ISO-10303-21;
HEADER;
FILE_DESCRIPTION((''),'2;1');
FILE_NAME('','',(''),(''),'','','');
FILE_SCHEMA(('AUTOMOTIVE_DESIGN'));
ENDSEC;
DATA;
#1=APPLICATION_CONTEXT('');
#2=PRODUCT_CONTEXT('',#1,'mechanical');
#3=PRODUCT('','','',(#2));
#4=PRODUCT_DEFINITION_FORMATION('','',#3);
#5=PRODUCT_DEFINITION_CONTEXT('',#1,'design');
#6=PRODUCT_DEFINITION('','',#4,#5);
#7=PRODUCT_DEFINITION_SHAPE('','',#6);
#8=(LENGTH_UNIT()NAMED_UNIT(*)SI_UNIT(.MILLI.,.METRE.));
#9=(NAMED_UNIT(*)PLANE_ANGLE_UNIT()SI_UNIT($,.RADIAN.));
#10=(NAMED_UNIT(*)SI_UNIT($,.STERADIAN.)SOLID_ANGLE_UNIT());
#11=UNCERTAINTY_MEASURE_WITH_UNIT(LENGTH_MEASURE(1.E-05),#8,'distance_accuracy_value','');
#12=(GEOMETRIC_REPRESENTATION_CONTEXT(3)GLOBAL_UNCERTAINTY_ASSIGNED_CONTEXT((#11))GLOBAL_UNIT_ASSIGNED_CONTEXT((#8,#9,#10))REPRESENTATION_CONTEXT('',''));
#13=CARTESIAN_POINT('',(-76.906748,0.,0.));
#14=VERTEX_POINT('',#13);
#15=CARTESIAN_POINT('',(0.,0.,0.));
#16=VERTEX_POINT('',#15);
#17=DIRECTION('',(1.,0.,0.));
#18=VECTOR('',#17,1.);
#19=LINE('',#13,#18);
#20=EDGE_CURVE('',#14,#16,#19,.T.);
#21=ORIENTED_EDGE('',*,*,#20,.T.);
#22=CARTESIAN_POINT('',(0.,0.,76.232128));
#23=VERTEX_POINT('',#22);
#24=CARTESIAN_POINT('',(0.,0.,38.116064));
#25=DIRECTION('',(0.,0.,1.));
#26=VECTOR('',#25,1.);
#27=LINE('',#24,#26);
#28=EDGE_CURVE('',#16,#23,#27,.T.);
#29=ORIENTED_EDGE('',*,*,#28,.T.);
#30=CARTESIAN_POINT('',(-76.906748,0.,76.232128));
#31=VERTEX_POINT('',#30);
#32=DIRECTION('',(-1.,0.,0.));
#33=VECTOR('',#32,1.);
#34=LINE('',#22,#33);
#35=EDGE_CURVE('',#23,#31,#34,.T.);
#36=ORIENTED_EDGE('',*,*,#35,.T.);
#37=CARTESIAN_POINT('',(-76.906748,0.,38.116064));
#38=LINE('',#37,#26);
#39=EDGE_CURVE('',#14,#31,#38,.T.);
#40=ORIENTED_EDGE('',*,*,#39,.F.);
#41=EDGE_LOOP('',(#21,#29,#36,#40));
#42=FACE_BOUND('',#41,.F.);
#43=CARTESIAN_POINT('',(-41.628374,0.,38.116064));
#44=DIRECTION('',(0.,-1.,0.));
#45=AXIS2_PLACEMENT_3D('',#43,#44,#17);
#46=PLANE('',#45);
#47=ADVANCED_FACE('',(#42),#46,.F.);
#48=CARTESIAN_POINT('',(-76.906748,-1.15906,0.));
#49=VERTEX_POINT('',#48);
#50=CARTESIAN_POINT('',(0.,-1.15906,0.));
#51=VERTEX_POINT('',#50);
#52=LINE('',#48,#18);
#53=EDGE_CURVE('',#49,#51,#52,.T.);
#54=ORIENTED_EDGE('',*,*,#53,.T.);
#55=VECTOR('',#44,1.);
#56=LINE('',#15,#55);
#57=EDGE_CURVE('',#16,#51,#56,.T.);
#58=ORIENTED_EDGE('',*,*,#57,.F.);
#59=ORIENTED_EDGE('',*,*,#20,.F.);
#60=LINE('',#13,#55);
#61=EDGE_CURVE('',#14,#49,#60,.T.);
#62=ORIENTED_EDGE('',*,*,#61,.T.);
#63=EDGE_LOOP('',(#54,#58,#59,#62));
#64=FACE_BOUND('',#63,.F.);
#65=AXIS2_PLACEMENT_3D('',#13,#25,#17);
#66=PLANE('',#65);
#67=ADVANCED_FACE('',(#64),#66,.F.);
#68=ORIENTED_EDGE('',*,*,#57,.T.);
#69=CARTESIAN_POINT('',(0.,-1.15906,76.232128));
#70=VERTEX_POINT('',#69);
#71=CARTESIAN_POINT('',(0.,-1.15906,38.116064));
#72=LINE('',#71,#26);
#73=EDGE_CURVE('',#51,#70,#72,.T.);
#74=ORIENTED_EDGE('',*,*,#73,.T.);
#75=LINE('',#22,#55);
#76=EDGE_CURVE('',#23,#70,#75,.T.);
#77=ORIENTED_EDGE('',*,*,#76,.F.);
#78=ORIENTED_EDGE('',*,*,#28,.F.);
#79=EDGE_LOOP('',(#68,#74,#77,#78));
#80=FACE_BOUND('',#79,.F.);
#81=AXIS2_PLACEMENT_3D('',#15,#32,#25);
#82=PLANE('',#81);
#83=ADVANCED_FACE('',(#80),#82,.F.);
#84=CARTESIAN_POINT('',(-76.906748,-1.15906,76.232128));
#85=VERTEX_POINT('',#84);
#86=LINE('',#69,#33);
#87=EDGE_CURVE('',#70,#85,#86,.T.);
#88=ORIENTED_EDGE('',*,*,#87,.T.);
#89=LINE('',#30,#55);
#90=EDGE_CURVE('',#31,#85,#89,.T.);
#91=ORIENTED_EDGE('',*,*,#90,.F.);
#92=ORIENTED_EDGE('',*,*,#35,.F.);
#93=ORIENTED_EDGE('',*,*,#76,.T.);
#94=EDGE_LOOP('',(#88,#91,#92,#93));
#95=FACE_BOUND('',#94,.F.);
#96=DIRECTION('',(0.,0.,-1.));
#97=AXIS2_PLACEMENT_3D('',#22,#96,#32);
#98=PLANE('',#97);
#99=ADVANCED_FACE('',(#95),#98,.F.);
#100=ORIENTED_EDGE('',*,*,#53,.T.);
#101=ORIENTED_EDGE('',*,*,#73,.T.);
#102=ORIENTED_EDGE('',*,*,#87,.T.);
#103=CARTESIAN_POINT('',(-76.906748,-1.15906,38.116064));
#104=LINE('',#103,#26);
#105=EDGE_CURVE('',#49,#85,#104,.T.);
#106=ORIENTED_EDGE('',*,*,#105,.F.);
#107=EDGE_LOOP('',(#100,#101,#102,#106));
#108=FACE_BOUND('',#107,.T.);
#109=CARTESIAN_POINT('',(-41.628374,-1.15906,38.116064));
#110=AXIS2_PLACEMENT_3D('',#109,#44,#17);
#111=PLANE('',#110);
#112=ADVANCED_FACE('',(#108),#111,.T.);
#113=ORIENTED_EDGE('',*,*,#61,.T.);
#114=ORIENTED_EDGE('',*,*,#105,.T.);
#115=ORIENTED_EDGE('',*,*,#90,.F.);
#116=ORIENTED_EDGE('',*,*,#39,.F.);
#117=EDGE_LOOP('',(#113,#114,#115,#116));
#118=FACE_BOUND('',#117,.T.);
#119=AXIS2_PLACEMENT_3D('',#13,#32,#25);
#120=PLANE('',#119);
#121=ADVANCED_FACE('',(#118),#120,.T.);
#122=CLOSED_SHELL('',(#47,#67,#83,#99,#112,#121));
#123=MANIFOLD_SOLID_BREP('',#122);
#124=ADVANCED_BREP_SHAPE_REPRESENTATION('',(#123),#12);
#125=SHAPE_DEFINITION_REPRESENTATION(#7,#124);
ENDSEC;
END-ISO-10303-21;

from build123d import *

# Parameters (mm, degrees)
F0_W     = 70.556748
F0_H     = 76.232128
F0_W_2   = 6.35
F1_DEPTH = 1.15906


with BuildPart() as f1:
    # F0 (on Front) → F1 (new body)
    with BuildSketch(Plane.XZ):
        with Locations((-41.628374, 38.116064)):
            Rectangle(F0_W, F0_H)
        with Locations((-3.175, 38.116064)):
            Rectangle(F0_W_2, F0_H)
    extrude(amount=F1_DEPTH)


solid = f1.part
